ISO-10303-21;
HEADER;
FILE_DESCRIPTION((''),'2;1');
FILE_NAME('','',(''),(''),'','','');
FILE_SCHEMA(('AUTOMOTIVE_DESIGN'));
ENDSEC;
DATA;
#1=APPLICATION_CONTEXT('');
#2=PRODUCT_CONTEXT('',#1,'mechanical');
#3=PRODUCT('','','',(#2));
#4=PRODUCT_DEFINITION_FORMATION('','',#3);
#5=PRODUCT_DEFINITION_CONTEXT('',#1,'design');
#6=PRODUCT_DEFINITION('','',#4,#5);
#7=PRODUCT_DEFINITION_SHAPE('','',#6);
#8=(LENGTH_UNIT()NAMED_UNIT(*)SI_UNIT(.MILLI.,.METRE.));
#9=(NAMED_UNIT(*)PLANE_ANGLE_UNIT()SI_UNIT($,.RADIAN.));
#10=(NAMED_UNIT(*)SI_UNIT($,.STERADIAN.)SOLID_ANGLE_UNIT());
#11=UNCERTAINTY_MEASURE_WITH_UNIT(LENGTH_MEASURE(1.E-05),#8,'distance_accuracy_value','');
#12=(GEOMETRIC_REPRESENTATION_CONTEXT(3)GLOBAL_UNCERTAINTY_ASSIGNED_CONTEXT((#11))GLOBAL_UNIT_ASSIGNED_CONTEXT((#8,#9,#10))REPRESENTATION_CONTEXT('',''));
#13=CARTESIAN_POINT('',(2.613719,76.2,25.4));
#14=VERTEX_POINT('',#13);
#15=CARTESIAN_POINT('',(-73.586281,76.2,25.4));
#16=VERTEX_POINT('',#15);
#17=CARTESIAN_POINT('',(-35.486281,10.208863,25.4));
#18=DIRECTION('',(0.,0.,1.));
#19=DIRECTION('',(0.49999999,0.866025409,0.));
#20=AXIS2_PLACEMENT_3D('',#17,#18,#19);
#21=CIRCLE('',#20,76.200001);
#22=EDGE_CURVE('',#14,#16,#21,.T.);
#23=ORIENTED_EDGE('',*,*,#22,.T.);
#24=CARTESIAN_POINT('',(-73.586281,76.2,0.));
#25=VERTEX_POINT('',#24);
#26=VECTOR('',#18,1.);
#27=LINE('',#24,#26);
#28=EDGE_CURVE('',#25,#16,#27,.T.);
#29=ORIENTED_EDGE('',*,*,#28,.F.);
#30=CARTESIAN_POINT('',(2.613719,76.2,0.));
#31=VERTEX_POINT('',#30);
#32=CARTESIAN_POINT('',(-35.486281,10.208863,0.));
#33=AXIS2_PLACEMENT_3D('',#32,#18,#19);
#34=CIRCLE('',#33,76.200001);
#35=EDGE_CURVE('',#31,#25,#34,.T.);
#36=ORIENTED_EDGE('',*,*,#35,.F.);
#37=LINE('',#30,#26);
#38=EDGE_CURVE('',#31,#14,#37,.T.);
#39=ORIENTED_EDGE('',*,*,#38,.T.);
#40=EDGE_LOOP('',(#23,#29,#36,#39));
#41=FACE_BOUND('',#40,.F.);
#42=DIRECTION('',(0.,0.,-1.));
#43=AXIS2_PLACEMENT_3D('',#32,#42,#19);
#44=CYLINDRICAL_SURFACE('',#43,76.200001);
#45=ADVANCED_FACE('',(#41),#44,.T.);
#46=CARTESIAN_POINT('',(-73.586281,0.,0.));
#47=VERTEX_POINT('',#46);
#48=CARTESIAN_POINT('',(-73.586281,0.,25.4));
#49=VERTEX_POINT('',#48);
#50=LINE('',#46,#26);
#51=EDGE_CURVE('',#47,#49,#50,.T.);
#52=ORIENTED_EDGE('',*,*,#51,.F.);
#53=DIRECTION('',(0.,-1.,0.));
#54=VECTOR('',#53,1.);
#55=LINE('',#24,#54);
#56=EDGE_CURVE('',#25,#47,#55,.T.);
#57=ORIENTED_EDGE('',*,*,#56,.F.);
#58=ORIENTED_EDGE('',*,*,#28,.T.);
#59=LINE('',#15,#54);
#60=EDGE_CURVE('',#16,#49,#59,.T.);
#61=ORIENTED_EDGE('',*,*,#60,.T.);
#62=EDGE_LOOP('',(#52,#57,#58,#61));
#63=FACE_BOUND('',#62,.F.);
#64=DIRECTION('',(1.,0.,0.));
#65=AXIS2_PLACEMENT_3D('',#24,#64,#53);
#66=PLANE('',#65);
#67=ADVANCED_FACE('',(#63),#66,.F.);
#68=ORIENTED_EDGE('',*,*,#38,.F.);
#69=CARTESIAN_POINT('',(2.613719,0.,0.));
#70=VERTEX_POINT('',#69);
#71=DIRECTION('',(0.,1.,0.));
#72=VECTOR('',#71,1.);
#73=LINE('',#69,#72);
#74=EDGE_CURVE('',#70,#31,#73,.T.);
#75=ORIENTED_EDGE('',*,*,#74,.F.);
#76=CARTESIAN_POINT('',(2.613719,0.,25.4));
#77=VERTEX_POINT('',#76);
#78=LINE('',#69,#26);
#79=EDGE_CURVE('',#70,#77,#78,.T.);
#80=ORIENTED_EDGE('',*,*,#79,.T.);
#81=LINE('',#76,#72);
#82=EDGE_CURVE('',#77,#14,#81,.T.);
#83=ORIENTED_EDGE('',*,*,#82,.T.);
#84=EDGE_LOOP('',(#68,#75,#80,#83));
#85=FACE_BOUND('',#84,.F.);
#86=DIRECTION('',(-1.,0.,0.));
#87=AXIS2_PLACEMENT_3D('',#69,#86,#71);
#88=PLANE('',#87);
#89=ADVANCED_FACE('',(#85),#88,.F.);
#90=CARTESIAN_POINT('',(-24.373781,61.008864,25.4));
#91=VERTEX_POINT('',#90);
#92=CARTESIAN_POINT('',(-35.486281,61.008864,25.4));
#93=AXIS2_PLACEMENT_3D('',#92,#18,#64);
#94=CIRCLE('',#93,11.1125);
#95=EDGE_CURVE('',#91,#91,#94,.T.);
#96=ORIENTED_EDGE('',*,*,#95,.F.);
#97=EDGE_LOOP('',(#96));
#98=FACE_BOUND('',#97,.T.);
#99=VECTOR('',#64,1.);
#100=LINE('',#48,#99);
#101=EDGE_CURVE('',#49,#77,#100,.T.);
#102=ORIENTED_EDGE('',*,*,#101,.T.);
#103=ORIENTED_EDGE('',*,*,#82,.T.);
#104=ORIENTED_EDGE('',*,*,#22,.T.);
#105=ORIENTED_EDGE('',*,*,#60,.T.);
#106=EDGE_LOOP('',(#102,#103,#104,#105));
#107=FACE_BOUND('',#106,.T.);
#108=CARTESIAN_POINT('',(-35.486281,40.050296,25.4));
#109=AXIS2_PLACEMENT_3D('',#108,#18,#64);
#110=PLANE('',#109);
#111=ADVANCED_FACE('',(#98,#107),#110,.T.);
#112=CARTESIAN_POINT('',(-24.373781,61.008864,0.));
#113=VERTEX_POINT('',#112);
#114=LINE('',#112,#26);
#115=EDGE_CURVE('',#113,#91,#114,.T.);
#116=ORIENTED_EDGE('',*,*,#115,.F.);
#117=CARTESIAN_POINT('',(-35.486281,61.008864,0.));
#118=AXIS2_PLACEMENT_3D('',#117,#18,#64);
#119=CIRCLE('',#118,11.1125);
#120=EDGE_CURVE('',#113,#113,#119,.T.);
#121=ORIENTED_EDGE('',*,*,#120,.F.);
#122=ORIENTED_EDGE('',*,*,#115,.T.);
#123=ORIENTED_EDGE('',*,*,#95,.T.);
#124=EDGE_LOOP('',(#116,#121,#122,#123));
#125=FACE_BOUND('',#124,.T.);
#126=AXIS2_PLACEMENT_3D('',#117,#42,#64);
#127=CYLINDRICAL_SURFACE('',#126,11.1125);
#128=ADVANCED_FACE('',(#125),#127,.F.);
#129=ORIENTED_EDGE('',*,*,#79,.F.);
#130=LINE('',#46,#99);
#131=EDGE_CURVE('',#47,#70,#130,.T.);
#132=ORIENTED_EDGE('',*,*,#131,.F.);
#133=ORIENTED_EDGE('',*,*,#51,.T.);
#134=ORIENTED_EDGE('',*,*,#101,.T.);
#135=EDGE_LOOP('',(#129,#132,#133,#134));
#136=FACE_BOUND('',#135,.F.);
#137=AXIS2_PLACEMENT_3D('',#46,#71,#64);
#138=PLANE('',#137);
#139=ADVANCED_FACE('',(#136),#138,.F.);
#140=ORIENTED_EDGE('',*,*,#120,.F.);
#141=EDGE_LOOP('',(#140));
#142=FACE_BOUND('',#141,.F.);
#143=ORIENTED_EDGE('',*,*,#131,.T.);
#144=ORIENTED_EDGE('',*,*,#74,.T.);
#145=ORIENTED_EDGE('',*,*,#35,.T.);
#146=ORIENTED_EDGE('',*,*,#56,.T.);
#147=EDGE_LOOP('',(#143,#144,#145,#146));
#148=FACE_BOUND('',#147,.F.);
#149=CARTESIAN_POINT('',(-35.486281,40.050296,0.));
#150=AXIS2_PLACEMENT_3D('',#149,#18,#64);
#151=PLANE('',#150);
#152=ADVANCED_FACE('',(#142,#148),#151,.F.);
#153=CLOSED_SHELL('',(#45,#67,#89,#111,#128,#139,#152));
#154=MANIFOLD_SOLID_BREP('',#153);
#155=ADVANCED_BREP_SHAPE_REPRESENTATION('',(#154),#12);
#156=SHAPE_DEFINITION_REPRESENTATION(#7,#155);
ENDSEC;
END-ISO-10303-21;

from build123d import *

# Parameters (mm, degrees)
F0_R     = 11.1125
F1_DEPTH = 25.4


with BuildPart() as f1:
    # F0 (on Top) → F1 (new body)
    with BuildSketch(Plane.XY):
        with BuildLine():
            Line((-73.586281, 76.2), (-73.586281, 0))
            Line((-73.586281, 0), (2.613719, 0))
            Line((2.613719, 0), (2.613719, 76.2))
            ThreePointArc((2.613719, 76.2), (-35.486281, 86.408864), (-73.586281, 76.2))
        make_face()
        with Locations((-35.486281, 61.008864)):
            Circle(F0_R, mode=Mode.SUBTRACT)
    extrude(amount=F1_DEPTH)


solid = f1.part
